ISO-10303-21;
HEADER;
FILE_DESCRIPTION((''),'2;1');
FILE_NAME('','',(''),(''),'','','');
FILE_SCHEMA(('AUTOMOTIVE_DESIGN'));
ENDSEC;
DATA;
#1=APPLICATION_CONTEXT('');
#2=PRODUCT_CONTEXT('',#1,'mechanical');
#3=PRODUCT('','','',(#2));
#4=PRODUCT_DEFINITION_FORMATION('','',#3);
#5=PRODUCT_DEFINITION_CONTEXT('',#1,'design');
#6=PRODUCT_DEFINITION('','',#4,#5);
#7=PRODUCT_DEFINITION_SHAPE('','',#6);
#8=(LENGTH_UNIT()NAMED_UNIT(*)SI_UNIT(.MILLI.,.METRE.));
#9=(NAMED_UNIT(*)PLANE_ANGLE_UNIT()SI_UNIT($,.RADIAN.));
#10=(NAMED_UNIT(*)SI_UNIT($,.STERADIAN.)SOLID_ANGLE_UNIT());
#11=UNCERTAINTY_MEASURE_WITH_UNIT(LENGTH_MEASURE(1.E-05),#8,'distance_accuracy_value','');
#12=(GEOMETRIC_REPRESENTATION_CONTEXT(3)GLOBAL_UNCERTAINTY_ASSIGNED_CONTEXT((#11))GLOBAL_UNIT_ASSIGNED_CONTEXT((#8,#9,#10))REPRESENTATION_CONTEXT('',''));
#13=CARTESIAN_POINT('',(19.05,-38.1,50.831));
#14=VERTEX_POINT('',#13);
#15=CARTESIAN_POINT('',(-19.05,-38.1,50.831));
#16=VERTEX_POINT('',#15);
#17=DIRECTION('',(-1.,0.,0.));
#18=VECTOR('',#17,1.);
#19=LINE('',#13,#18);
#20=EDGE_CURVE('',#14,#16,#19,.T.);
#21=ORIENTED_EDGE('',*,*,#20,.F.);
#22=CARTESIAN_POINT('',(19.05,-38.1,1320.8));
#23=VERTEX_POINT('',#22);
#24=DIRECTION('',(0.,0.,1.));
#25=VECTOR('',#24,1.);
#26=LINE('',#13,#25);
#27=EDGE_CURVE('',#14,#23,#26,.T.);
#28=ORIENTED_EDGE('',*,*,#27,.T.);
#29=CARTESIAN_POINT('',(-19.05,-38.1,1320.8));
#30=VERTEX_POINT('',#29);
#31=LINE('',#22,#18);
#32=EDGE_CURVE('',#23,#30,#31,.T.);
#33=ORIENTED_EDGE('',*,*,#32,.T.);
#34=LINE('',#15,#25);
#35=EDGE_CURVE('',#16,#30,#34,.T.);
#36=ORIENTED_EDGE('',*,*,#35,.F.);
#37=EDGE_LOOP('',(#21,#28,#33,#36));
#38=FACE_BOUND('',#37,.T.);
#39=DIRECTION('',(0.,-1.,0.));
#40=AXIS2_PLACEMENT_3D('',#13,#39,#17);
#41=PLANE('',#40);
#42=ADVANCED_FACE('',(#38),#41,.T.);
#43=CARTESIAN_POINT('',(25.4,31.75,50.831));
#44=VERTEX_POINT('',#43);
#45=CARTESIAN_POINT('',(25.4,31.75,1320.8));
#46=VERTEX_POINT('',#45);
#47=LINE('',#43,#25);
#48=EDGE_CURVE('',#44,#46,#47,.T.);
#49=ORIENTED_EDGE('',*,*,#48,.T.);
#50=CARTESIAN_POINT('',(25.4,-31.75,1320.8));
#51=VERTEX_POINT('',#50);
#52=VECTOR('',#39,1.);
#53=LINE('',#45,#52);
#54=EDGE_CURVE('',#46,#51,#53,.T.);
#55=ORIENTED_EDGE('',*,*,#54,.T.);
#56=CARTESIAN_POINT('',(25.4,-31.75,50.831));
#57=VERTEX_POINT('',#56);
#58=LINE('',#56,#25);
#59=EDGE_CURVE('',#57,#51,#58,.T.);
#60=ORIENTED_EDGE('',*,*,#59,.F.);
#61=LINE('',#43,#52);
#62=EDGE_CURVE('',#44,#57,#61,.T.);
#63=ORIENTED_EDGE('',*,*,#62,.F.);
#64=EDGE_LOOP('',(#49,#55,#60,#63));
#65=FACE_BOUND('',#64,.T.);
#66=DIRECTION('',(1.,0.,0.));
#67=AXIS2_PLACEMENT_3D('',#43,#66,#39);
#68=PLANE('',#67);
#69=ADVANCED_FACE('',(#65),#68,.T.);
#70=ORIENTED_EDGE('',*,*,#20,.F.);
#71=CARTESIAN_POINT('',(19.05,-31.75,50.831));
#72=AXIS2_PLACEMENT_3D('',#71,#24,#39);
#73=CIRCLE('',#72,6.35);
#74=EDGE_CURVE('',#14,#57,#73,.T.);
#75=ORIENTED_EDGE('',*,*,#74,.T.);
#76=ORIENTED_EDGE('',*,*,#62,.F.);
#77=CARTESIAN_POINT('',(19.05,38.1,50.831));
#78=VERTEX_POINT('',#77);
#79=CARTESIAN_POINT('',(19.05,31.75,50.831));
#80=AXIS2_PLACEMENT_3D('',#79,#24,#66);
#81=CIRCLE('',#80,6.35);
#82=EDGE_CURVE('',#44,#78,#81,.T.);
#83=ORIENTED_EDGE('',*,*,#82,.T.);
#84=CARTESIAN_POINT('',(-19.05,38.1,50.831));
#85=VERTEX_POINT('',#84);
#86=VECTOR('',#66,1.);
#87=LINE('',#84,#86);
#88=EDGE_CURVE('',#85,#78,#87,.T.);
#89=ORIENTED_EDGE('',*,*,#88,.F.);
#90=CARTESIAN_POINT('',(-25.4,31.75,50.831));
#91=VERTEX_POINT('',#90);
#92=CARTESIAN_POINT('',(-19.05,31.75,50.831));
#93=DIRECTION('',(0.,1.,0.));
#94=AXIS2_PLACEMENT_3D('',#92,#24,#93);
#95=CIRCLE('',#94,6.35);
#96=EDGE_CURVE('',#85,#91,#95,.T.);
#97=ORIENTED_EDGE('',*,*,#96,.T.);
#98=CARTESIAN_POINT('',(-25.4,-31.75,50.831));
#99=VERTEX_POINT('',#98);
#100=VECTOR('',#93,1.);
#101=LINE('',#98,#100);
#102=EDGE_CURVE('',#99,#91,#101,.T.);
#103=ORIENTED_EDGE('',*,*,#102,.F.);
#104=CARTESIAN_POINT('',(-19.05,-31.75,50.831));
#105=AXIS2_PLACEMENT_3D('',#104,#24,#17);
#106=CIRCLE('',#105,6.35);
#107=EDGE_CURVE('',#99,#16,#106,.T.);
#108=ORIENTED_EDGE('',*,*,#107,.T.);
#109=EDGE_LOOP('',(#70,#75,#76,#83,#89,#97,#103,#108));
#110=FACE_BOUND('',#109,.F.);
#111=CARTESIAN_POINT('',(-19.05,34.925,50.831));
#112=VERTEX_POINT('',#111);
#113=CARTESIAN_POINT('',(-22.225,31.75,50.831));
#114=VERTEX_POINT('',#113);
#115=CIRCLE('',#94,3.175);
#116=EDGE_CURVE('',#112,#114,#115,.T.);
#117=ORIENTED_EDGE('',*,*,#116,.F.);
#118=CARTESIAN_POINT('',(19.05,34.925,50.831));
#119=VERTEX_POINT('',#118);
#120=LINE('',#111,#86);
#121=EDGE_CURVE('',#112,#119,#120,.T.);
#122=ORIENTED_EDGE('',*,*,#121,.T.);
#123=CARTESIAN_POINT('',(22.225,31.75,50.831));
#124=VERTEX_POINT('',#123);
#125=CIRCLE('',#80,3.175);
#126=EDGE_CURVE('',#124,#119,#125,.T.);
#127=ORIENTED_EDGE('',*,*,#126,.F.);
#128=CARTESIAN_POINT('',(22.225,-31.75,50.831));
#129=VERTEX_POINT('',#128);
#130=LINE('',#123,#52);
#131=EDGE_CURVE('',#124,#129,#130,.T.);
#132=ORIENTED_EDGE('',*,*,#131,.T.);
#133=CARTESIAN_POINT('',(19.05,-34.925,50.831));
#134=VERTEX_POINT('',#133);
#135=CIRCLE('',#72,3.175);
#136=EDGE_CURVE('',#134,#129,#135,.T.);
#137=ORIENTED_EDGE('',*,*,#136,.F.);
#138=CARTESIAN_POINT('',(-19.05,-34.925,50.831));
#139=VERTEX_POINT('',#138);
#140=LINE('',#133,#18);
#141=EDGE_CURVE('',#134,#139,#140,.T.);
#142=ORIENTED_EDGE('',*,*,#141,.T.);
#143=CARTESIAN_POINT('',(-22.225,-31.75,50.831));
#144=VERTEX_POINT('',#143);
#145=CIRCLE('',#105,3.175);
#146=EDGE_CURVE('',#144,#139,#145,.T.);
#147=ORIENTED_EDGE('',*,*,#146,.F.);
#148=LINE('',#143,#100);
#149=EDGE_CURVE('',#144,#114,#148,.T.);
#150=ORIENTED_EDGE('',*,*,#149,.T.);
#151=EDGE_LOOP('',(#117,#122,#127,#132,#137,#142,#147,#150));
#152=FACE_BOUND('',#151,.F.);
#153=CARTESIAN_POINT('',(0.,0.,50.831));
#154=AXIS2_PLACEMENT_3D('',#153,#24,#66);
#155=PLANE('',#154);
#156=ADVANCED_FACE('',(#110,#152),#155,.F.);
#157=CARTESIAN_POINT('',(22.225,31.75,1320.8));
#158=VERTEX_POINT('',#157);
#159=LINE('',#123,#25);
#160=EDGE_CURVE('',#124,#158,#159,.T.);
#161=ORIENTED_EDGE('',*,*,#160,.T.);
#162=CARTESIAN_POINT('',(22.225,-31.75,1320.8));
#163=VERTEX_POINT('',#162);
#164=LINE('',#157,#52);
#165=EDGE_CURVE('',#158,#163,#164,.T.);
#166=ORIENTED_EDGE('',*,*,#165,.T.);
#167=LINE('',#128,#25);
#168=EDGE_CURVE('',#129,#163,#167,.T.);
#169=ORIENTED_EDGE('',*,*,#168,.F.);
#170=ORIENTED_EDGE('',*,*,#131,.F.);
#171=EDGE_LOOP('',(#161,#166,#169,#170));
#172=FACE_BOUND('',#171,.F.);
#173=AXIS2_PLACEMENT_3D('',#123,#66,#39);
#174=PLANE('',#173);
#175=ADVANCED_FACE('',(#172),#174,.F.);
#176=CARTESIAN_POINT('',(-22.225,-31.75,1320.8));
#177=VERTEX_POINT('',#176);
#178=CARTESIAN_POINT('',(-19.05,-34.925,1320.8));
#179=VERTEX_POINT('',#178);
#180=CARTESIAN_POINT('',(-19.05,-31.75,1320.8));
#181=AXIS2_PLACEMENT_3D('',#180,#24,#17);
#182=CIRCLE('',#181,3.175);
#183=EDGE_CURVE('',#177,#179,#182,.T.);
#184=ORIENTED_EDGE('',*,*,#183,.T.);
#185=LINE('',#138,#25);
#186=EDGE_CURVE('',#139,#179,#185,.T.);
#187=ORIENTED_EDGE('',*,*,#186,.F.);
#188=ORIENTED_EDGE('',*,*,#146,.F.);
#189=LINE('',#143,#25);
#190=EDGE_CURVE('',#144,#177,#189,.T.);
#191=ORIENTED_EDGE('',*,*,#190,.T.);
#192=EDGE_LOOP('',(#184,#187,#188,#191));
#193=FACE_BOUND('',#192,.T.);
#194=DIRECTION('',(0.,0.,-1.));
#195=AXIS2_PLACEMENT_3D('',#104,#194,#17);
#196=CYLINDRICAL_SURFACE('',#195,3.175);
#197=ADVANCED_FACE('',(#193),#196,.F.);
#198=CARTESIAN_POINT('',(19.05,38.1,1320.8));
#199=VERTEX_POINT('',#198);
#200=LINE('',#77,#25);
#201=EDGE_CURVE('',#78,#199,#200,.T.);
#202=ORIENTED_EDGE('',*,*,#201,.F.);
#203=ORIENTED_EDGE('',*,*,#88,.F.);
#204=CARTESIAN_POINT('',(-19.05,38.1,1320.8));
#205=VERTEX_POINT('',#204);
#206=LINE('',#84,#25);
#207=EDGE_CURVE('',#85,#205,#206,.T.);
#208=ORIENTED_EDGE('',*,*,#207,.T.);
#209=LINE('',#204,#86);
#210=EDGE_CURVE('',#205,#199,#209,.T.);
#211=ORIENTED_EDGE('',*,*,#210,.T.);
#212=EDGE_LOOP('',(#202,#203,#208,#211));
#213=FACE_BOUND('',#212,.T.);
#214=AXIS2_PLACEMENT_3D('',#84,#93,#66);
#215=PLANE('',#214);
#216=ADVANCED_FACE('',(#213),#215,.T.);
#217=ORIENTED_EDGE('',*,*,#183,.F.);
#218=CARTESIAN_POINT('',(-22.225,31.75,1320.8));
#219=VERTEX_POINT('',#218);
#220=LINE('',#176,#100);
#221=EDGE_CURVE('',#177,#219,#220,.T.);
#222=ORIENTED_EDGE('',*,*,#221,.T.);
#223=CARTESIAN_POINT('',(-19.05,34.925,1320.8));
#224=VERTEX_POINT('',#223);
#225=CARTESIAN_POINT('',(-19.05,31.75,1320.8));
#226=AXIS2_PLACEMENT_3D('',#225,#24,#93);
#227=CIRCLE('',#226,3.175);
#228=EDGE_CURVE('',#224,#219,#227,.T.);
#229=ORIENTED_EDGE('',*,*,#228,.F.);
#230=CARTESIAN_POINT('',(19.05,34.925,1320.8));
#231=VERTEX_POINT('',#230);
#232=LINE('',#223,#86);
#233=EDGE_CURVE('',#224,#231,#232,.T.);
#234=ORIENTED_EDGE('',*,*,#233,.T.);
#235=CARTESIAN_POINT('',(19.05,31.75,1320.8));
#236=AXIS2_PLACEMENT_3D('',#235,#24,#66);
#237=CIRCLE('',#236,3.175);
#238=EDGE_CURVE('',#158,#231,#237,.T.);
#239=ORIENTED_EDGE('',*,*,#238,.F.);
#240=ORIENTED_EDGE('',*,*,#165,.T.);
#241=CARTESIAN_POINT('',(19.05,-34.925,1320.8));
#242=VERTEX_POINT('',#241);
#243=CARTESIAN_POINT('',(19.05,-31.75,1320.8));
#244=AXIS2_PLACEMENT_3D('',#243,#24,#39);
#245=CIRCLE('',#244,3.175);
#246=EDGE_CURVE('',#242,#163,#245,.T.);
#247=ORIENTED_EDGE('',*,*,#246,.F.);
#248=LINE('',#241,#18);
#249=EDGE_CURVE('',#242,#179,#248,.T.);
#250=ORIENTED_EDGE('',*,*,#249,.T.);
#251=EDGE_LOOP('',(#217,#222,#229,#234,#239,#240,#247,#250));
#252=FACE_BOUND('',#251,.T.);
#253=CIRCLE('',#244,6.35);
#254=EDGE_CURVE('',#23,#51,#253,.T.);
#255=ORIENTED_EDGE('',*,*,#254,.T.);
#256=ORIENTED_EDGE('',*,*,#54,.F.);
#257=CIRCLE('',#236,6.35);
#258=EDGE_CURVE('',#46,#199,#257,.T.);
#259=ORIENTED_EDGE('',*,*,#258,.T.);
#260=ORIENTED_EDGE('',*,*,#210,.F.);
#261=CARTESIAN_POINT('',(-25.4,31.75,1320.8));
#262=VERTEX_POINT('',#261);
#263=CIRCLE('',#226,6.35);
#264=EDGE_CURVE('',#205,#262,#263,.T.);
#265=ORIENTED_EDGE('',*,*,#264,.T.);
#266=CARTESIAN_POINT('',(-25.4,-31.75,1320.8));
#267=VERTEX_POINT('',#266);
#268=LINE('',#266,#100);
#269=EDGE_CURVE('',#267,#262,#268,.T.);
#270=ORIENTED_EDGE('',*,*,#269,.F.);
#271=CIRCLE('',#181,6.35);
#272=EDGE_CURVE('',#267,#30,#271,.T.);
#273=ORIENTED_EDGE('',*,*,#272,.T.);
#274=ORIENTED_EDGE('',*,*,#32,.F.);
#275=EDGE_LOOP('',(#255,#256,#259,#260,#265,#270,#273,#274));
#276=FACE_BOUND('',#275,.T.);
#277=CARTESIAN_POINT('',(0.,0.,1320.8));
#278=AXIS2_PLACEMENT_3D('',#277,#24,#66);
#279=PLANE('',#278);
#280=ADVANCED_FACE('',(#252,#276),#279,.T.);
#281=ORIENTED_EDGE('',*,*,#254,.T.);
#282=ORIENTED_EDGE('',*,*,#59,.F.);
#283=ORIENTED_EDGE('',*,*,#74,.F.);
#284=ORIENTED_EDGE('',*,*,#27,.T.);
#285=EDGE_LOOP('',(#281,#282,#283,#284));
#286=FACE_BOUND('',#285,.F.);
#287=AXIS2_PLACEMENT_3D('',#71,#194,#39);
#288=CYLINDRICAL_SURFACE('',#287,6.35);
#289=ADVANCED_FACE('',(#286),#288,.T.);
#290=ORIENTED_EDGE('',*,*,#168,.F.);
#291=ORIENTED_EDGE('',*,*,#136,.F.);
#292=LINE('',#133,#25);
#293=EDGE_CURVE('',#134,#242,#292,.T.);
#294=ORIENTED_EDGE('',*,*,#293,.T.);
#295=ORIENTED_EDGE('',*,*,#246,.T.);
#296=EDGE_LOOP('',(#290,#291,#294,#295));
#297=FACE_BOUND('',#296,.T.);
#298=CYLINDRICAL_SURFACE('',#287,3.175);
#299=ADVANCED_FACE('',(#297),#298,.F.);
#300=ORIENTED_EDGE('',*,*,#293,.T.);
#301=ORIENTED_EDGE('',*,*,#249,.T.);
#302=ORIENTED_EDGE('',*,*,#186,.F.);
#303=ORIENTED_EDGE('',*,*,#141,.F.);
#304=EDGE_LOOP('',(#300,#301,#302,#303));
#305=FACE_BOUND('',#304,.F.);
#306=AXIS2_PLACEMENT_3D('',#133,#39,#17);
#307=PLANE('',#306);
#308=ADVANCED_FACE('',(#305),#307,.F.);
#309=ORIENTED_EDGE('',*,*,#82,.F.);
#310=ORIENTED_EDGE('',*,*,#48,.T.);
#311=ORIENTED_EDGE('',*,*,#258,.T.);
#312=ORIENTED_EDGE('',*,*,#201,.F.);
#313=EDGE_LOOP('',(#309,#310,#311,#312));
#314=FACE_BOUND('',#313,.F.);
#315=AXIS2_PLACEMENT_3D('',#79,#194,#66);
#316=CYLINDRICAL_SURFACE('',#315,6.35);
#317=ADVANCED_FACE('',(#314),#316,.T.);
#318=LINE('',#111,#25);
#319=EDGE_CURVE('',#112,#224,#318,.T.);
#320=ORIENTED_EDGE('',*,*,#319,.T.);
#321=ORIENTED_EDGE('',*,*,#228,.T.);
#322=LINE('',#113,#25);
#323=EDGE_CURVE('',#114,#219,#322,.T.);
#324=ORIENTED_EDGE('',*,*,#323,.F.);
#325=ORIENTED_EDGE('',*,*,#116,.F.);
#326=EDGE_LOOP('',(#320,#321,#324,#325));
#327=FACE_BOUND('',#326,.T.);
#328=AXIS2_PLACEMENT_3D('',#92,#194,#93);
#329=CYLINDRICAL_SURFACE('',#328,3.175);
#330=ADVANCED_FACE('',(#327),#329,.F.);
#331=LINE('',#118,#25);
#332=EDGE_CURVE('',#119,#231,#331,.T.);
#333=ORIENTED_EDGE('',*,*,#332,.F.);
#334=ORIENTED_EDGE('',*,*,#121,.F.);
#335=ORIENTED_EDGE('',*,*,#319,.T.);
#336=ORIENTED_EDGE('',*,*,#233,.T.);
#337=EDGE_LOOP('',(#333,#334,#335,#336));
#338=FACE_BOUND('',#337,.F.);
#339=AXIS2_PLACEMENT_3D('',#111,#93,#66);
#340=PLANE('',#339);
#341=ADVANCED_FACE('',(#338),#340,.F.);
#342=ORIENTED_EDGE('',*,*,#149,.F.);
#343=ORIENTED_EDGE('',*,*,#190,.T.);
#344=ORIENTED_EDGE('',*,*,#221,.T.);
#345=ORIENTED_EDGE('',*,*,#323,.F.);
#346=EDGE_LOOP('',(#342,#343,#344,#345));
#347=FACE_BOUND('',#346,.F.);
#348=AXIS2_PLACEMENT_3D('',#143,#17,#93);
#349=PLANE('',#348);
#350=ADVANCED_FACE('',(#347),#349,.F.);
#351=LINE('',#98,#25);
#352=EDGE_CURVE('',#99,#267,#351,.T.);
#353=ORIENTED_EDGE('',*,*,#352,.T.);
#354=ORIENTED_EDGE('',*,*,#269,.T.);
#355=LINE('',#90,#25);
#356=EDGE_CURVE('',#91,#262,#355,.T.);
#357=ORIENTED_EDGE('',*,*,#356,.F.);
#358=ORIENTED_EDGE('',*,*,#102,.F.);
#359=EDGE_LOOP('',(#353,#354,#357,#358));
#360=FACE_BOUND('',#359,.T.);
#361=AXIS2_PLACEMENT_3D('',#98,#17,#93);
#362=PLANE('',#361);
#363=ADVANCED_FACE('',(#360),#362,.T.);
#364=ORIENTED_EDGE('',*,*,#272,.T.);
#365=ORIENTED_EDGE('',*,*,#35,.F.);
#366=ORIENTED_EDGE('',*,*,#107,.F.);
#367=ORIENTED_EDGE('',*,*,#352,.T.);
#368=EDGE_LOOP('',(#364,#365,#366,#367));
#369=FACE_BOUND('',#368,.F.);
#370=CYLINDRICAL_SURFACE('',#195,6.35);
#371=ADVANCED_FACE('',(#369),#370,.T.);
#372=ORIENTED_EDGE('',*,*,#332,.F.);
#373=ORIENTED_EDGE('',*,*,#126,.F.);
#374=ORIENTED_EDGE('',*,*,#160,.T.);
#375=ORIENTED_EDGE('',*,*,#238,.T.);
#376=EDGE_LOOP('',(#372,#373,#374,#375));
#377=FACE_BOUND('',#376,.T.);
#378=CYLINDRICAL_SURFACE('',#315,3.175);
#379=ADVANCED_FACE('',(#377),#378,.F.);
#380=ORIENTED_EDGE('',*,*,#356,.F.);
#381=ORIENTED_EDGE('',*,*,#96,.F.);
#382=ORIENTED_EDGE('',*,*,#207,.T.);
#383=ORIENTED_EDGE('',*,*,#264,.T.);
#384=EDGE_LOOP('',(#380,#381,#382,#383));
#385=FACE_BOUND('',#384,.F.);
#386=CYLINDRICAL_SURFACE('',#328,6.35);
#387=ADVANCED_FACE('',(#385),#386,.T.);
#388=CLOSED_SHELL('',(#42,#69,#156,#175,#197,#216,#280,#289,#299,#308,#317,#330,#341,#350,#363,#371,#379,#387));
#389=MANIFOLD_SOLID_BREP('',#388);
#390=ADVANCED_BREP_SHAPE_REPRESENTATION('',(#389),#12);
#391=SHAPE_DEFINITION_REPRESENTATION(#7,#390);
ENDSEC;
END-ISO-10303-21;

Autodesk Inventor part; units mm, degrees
ref_plane "Start Plane" through (0, 0, 50.831) normal (0, 0, 1) x (1, 0, 0)
ref_plane "End Plane" through (0, 0, 1320.8) normal (0, 0, 1) x (1, 0, 0)
sketch "Sketch" plane through (0, 0, 0) normal (0, 0, 1) x (1, 0, 0)
  line L0 (-25.4, -31.75) -> (-25.4, 31.75)
  line L1 (-19.05, 38.1) -> (19.05, 38.1)
  line L2 (25.4, 31.75) -> (25.4, -31.75)
  line L3 (19.05, -38.1) -> (-19.05, -38.1)
  arc A0 (-25.4, -31.75) -> (-19.05, -38.1) centre (-19.05, -31.75) ccw
  arc A1 (-19.05, 38.1) -> (-25.4, 31.75) centre (-19.05, 31.75) ccw
  arc A2 (25.4, 31.75) -> (19.05, 38.1) centre (19.05, 31.75) ccw
  arc A3 (19.05, -38.1) -> (25.4, -31.75) centre (19.05, -31.75) ccw
  arc A4 (-19.05, 34.925) -> (-22.225, 31.75) centre (-19.05, 31.75) ccw
  line L4 (-19.05, 34.925) -> (19.05, 34.925)
  arc A5 (22.225, 31.75) -> (19.05, 34.925) centre (19.05, 31.75) ccw
  line L5 (22.225, 31.75) -> (22.225, -31.75)
  arc A6 (19.05, -34.925) -> (22.225, -31.75) centre (19.05, -31.75) ccw
  line L6 (19.05, -34.925) -> (-19.05, -34.925)
  arc A7 (-22.225, -31.75) -> (-19.05, -34.925) centre (-19.05, -31.75) ccw
  line L7 (-22.225, -31.75) -> (-22.225, 31.75)
  line L8 (0, 55.1812) -> (0, -55.1812) construction
  line L9 (-37.4012, 0) -> (37.4012, 0) construction
  dimension "d10" = 76.2
  dimension "d11" = 50.8
  dimension "d12" = 3.175
  dimension "d15" = 38.1
  dimension "d16" = 25.4
  dimension "d17" = 6.35
extrude "Body" add sketch "Sketch" along normal up to surface (1269.969 mm away) from surface at 50.831
sketch "Sketch3" plane through (0, 0, 0) normal (0, 0, 1) x (1, 0, 0)
  line L0 (0, 0) -> (10, 0)
ref_plane "Work Plane3" through (0, 0, 0) normal (0, -1, 0) x (1, 0, 0)
ref_plane "Work Plane4" through (-2540, 0, 50.831) normal (0, 0, -1) x (-1, 0, 0)
split "Split1" plane through (-2540, 0, 50.831) removes the side toward (0, 0, -1)
sketch "Sketch4" plane through (0, 0, 0) normal (0, -1, 0) x (1, 0, 0)
  line L0 (-2, 50.831) -> (12, 50.831) projected
  line L1 (-2, 1320.8) -> (12, 1320.8) projected
  dimension "d19" = 1269.969
equation "\"d10\" = G_H"
equation "\"d11\" = G_W"
equation "\"d12\" = G_T"
equation "\"d15\" = 0.5 * d10"
equation "\"d16\" = 0.5 * d11"
equation "\"d17\" = G_IR"
equation "\"d3\" = G_L"
equation "\"G_W\" = 50.8"
equation "\"G_H\" = 76.2"
equation "\"G_T\" = 3.175"
equation "\"G_IR\" = 6.35"
equation "\"G_L\" = d19"
equation "\"G_OFFSET_START\" = -50.831"
equation "\"G_OFFSET_END\" = 0"
equation "\"d13\" = -G_OFFSET_START"
equation "\"d14\" = G_OFFSET_END + B_L"
equation "\"B_L\" = 1320.8"
properties part number "AISC - 3 x 2 x 1/8 - 49.999" material "Steel, Mild"
